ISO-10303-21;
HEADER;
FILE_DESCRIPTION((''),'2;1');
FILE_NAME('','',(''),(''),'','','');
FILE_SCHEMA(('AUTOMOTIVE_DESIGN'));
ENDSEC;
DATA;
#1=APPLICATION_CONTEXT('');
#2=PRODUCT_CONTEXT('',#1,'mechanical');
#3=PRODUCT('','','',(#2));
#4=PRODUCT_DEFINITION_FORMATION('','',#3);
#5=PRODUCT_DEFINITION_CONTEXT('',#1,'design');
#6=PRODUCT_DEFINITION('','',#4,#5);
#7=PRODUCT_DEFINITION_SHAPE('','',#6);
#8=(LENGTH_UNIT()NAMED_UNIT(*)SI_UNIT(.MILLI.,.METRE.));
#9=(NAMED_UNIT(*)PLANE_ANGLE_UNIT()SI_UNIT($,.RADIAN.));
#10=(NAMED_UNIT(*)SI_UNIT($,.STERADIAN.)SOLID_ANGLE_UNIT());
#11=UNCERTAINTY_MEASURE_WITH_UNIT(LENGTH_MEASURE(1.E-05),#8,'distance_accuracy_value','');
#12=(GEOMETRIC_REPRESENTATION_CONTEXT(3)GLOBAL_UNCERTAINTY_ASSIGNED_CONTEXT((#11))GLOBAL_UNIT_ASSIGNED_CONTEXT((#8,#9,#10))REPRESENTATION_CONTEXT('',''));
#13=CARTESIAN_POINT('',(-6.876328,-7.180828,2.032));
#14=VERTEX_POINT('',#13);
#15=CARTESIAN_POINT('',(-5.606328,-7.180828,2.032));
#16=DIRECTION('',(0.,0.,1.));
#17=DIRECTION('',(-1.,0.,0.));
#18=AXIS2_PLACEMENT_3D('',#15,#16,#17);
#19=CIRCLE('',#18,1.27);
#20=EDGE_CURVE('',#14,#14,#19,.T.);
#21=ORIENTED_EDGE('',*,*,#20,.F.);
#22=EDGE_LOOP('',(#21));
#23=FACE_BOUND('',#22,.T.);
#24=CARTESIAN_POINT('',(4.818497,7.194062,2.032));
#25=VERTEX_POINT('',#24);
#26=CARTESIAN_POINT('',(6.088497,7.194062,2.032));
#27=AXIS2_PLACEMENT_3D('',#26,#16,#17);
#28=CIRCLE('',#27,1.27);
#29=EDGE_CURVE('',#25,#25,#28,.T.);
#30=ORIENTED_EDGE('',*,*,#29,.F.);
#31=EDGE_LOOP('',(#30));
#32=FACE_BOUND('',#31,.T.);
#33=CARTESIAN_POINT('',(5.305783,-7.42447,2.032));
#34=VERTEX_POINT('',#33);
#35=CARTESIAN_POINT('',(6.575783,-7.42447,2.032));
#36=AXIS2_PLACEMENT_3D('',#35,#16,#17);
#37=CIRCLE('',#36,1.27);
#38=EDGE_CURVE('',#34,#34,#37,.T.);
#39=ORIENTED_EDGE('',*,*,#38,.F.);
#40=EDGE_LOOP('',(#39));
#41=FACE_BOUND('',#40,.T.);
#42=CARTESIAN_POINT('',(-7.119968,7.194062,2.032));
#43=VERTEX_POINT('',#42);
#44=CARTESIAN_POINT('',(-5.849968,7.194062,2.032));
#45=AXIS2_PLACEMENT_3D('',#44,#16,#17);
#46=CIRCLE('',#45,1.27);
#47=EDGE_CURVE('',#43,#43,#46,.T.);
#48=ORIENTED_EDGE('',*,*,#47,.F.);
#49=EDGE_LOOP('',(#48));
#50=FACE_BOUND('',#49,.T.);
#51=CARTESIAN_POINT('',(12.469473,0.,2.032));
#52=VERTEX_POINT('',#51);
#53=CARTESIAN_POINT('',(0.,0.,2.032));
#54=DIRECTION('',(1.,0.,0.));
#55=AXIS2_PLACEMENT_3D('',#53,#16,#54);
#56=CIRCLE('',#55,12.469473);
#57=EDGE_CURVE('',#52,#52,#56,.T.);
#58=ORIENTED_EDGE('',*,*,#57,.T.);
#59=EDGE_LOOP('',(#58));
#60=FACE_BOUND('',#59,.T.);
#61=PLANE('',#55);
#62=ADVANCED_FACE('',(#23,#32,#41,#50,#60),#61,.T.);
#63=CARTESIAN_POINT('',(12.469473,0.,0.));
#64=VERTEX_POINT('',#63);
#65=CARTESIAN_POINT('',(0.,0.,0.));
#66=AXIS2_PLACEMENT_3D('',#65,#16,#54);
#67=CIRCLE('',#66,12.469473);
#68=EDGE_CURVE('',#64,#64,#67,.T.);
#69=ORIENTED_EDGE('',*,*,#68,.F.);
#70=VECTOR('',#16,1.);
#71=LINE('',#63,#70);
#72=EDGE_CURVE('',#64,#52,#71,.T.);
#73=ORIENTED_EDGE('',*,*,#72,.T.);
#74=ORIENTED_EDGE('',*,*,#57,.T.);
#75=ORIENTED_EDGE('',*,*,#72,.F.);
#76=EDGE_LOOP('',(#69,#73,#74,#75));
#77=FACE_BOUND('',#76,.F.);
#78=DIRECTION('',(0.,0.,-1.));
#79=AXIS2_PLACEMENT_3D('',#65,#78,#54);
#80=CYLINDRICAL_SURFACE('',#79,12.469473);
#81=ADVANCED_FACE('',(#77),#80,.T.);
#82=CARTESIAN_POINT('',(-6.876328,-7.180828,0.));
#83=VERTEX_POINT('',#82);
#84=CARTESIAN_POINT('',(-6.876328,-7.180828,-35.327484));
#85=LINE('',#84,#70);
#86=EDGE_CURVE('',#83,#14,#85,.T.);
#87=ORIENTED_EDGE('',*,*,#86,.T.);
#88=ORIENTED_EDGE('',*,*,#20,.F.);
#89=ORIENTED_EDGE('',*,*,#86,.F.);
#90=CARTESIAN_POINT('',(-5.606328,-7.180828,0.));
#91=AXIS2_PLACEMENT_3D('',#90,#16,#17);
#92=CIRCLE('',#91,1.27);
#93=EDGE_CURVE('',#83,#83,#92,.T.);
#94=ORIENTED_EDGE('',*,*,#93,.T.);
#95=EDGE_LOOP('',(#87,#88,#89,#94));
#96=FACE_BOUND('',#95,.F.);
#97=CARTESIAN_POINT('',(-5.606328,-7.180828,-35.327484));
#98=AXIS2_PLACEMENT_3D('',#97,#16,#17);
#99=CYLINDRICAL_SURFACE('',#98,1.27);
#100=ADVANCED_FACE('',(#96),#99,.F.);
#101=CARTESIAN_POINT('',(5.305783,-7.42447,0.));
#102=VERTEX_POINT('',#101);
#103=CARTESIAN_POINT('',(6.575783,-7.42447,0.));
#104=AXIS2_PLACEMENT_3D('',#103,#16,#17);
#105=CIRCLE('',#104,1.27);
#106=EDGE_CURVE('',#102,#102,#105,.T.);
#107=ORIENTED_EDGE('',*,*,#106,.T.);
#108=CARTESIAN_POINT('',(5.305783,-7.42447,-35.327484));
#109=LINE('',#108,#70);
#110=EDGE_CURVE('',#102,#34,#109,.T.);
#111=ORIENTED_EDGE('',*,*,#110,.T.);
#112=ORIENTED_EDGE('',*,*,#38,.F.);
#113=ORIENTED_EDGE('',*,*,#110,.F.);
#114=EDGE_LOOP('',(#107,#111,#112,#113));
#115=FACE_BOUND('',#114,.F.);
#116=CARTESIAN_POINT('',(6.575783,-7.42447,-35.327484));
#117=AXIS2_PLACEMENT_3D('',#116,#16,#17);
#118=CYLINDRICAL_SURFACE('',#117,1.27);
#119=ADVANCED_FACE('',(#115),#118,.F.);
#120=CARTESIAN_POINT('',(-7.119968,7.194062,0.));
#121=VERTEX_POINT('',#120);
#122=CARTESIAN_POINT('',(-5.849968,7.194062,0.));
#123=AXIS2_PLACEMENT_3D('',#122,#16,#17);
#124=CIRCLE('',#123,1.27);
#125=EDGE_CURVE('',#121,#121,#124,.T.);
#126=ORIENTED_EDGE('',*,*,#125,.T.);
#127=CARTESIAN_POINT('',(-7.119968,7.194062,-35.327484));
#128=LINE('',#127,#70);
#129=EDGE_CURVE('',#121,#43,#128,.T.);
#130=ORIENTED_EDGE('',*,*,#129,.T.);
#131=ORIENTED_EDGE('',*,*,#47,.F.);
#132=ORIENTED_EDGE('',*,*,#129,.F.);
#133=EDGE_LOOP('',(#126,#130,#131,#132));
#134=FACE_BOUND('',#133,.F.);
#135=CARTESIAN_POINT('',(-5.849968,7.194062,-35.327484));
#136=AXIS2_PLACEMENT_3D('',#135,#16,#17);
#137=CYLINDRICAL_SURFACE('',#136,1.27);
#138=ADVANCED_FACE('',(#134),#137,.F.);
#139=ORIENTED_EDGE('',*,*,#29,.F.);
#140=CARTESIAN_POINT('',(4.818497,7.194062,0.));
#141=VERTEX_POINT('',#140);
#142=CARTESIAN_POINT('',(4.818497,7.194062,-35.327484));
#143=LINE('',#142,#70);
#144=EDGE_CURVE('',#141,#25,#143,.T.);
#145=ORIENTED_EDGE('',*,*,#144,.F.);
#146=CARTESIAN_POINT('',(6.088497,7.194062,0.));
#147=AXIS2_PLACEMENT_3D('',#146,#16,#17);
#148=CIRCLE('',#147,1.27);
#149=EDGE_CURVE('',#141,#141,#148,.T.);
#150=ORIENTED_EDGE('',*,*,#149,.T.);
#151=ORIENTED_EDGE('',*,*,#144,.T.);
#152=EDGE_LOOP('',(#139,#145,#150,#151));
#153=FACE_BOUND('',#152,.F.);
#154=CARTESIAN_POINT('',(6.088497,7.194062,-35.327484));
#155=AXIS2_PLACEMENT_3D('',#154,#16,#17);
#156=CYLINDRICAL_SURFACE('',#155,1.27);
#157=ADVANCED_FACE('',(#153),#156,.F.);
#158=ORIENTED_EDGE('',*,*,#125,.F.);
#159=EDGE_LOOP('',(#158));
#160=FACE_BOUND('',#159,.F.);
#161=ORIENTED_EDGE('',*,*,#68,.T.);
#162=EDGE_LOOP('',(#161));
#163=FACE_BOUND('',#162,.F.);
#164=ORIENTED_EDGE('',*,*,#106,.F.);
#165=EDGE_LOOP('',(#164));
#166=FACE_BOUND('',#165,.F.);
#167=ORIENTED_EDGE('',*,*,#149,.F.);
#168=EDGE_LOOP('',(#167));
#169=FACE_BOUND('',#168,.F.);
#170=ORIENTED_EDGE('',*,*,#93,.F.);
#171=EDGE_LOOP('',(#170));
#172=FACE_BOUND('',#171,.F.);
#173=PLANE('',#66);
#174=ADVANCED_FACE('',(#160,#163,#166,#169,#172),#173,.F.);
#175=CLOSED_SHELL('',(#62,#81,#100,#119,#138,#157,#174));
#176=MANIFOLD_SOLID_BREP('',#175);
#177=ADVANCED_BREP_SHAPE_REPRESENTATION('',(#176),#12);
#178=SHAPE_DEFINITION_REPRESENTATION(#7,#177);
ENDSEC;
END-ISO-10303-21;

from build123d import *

# Parameters (mm, degrees)
F0_R     = 12.469473319
F2_DEPTH = 2.032
F3_D     = 2.54


with BuildPart() as f2:
    # F0 (on Top) → F2 (new body)
    with BuildSketch(Plane.XY):
        Circle(F0_R)
    extrude(amount=F2_DEPTH)

    # F3 (through all)
    with Locations(Plane(origin=(0, 0, 0), x_dir=(1, 0, 0), z_dir=(0, 0, -1))):
        with Locations((-5.6063276716, 7.1808281355), (6.5757827833, 7.4244700372), (6.0884971172, -7.1940617636), (-5.8499677107, -7.1940617636)):
            Hole(F3_D / 2)


solid = f2.part
